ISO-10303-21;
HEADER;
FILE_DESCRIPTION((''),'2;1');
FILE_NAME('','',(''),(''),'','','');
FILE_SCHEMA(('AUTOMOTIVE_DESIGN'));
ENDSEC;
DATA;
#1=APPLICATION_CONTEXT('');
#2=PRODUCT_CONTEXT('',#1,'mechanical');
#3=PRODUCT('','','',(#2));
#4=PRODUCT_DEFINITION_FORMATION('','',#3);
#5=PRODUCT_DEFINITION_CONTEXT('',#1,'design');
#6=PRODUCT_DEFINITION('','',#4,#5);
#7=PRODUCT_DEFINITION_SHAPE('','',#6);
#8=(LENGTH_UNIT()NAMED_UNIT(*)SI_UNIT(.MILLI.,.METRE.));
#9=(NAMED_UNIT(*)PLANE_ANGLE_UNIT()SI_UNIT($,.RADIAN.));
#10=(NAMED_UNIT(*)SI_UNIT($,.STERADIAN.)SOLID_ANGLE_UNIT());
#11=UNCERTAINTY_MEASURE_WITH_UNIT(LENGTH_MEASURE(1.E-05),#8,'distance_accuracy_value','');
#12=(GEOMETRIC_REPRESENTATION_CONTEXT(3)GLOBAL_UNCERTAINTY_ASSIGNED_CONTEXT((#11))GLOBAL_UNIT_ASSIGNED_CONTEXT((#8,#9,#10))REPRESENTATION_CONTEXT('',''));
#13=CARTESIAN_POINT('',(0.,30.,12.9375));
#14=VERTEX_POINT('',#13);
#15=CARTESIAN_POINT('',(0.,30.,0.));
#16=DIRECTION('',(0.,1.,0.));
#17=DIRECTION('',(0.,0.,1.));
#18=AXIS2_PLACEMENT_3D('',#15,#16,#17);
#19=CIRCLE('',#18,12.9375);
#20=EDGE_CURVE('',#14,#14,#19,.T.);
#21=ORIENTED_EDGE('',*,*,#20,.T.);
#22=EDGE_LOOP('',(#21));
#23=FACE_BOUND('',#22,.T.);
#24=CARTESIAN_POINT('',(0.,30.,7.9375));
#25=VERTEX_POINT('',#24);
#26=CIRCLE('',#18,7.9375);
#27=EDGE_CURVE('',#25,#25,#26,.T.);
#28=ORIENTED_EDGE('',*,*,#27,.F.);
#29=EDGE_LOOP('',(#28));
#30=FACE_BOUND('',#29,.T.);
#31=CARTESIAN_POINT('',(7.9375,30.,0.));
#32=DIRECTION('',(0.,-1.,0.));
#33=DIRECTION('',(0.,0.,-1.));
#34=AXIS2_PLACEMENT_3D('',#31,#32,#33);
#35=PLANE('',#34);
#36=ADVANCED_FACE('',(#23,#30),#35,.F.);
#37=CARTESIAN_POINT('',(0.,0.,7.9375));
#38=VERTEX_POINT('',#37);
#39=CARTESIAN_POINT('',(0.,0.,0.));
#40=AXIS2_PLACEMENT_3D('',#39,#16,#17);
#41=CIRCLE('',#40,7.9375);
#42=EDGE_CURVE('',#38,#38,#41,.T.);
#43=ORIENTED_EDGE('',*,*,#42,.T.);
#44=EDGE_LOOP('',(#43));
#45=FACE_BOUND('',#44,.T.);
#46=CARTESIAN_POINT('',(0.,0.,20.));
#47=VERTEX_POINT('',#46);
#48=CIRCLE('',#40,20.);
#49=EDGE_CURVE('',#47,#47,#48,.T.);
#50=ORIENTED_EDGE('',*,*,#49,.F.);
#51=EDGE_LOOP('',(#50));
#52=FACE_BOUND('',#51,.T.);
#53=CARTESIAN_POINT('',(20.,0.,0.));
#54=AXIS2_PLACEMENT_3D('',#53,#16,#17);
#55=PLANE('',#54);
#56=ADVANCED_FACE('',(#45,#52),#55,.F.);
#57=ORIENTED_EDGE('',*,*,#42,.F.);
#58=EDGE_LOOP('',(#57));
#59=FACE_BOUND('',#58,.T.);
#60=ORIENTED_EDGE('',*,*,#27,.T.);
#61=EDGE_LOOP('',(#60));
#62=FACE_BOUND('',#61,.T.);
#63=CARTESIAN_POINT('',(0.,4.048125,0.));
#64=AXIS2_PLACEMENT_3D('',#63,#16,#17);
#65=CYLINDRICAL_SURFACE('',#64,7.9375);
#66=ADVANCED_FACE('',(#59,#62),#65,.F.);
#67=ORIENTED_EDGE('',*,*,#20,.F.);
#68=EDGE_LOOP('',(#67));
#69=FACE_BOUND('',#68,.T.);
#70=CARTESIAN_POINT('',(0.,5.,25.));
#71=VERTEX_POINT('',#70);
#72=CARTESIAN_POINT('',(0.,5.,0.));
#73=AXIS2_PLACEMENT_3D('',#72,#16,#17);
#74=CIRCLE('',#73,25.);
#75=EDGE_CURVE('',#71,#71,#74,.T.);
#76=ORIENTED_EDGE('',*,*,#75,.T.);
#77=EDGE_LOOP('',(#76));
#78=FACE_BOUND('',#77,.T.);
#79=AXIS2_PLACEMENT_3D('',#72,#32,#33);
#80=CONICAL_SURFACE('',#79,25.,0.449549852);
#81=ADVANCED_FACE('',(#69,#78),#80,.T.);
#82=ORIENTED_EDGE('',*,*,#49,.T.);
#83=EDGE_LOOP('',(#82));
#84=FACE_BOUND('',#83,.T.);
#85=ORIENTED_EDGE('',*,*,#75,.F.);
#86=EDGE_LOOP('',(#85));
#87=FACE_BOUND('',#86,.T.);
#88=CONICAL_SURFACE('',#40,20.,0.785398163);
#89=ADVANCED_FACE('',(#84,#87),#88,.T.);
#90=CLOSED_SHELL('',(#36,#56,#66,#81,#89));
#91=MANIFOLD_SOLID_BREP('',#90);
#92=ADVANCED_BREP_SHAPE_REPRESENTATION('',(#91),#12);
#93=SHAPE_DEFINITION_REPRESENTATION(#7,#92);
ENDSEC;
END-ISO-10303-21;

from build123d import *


with BuildPart() as part:
    # Sketch1 → Revolve1 (revolve)
    with BuildSketch(Plane.XY, mode=Mode.PRIVATE) as revolve1_sk:
        Polygon((7.9375, 0), (7.9375, 30), (12.9375, 30), (25, 5), (20, 0), align=None)
    revolve(revolve1_sk.sketch.rotate(Axis((0, 4.048125, 0), (0, -1, 0)), 90), axis=Axis((0, 4.048125, 0), (0, -1, 0)))


solid = part.part
